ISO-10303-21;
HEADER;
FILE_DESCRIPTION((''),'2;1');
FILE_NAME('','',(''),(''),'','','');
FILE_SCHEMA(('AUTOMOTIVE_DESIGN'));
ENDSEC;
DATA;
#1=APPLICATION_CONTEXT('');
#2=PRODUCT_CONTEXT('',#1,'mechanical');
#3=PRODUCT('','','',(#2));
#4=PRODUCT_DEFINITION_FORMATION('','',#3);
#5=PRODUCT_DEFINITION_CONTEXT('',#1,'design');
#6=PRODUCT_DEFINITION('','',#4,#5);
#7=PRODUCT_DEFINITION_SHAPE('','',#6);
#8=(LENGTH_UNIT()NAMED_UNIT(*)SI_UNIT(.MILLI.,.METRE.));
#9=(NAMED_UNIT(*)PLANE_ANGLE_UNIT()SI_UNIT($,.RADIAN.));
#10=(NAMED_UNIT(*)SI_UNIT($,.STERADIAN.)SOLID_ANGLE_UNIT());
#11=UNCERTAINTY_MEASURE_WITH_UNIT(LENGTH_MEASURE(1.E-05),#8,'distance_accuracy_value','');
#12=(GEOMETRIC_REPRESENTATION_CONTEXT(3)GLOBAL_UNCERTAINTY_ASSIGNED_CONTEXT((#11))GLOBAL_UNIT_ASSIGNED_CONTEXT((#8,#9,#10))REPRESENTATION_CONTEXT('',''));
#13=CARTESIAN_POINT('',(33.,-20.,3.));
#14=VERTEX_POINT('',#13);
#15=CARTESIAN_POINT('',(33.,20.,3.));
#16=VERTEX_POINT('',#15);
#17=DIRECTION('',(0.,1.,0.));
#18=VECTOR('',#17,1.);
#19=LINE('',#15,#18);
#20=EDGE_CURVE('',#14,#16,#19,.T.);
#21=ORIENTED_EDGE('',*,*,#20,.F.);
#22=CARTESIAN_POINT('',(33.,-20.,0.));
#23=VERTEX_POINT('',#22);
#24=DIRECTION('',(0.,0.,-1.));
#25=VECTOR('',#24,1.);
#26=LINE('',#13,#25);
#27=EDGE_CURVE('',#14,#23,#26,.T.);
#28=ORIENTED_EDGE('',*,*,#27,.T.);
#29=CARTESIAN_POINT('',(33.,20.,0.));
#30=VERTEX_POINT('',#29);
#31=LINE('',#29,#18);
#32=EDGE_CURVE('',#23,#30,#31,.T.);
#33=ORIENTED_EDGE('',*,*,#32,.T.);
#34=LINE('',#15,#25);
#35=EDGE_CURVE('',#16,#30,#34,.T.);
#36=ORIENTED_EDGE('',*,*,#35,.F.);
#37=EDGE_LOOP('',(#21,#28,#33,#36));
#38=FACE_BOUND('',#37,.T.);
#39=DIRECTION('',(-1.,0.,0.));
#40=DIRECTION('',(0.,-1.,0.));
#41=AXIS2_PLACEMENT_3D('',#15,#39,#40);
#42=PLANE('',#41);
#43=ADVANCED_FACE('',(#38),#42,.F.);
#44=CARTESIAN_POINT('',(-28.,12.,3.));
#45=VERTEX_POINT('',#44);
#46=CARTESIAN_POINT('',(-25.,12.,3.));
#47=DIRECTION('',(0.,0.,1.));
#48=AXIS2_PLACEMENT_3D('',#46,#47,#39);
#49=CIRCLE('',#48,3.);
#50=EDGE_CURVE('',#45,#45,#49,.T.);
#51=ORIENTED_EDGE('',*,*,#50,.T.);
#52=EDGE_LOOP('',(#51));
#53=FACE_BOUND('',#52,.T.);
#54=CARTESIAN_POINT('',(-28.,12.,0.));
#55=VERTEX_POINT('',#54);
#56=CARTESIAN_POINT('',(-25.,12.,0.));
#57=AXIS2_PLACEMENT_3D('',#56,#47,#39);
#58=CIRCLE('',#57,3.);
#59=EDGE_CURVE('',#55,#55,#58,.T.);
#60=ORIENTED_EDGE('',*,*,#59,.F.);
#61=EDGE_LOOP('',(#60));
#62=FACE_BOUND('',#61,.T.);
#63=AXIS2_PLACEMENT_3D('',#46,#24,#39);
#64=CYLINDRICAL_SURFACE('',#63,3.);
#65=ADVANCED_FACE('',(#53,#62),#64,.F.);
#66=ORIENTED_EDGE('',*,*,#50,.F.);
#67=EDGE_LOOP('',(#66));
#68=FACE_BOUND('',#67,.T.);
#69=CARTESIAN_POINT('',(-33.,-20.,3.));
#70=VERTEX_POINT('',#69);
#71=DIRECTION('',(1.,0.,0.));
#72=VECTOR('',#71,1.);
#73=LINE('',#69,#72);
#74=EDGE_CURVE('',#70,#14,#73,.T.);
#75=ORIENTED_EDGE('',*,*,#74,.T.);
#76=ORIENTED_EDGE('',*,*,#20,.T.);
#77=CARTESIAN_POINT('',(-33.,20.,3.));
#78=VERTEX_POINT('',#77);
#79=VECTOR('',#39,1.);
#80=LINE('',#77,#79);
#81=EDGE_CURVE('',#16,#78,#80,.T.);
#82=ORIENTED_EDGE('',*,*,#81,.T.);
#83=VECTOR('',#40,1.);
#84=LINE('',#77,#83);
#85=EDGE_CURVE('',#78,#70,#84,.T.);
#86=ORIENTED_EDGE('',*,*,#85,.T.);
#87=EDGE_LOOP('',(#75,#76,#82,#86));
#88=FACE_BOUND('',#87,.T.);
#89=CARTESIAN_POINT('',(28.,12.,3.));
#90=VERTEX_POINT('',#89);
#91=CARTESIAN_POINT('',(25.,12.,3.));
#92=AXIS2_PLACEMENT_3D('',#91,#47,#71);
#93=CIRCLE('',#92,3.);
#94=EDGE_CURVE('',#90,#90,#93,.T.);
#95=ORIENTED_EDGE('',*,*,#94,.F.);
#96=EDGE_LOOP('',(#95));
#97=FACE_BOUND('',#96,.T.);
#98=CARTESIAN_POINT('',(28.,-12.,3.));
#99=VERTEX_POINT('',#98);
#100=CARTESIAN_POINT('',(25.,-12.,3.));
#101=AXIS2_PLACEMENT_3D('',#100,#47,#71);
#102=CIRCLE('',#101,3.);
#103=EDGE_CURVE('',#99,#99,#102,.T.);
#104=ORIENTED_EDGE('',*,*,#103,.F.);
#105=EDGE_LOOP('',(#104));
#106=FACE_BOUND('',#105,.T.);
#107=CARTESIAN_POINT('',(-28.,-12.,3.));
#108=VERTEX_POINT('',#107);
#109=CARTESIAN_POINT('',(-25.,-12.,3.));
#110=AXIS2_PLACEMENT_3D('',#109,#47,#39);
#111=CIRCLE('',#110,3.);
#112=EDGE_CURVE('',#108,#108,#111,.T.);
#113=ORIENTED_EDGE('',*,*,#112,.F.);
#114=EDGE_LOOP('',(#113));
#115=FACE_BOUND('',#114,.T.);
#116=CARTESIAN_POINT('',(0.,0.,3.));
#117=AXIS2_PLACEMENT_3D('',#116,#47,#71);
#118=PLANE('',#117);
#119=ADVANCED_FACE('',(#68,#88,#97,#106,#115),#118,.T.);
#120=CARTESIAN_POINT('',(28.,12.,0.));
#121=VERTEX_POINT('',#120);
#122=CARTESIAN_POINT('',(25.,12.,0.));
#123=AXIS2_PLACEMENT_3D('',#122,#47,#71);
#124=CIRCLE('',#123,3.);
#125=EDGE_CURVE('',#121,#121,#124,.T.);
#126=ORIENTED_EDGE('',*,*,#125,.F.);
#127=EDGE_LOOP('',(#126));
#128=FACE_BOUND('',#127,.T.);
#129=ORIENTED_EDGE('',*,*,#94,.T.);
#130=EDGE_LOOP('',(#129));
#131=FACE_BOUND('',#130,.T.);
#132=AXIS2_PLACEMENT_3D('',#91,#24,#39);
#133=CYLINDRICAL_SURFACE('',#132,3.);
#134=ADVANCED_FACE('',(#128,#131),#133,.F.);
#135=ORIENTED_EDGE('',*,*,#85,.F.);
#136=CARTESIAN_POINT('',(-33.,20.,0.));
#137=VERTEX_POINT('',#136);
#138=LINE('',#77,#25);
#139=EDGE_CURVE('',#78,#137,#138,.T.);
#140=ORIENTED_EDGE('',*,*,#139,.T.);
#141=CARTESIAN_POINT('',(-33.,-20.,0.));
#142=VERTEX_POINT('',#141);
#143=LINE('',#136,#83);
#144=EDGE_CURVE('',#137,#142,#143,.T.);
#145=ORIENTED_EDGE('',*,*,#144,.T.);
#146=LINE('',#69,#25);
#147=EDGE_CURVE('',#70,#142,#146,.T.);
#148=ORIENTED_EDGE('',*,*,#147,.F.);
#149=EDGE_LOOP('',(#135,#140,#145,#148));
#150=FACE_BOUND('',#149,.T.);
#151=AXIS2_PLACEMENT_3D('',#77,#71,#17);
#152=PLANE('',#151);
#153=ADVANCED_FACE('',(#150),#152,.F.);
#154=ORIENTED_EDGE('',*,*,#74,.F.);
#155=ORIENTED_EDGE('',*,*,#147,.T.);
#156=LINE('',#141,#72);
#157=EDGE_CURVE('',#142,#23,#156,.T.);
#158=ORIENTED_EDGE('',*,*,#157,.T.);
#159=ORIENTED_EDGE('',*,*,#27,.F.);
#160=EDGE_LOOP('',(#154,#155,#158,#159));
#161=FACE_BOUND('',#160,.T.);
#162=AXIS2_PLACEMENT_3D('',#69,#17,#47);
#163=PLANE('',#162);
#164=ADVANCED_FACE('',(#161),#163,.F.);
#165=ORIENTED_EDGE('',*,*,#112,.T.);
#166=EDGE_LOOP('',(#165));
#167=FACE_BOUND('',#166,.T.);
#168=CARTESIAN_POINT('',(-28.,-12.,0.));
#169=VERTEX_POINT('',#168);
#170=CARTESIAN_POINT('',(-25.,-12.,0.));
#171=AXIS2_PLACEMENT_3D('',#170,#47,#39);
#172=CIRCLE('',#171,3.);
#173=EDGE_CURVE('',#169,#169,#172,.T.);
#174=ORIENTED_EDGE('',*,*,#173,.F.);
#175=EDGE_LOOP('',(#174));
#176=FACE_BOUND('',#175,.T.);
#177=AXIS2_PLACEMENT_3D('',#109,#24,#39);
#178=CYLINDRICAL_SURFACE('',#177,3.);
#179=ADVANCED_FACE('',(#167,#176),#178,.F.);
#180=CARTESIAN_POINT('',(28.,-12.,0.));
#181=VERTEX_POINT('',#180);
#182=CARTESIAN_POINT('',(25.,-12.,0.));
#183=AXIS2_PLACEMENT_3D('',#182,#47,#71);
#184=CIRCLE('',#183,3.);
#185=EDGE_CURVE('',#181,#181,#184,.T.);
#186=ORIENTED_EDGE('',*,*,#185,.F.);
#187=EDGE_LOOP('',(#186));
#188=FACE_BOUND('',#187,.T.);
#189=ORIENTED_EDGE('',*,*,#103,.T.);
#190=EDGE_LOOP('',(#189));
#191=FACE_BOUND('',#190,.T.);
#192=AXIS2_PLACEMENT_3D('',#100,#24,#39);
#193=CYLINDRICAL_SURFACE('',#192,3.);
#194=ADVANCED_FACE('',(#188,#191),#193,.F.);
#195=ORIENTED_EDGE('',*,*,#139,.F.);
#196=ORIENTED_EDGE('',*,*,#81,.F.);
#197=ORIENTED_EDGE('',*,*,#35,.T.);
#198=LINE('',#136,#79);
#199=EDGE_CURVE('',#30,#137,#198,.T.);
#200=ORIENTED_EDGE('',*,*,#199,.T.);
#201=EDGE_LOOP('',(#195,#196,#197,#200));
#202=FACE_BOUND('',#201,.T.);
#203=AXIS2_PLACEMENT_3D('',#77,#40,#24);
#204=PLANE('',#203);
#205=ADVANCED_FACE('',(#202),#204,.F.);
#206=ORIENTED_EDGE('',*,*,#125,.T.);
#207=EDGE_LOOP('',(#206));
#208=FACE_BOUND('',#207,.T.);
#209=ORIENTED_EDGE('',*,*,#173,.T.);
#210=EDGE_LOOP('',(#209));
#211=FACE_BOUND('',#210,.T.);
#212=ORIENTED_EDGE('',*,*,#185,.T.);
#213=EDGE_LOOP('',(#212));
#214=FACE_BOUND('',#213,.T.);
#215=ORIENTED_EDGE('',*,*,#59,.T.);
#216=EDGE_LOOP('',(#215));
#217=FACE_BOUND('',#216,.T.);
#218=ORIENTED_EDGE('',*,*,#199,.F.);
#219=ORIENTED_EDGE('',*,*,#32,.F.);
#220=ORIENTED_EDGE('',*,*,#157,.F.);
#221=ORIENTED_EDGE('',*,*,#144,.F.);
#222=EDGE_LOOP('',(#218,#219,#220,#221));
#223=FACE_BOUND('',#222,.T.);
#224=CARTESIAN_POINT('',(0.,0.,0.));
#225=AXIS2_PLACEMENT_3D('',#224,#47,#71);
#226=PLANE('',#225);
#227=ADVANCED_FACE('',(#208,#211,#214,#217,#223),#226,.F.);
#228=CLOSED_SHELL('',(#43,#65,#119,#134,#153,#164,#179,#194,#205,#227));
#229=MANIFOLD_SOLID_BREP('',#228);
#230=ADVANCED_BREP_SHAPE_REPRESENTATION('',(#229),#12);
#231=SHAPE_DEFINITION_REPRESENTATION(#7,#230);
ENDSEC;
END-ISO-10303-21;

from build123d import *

# Parameters (mm, degrees)
SKETCH_1_W      = 66
SKETCH_1_H      = 40
SKETCH_1_R      = 3
EXTRUDE_1_DEPTH = 3


with BuildPart() as part:
    # 草图1 → 凸台-拉伸1 (new body)
    with BuildSketch(Plane.XY):
        Rectangle(SKETCH_1_W, SKETCH_1_H)
        with Locations((25, 12)):
            Circle(SKETCH_1_R, mode=Mode.SUBTRACT)
        with Locations((25, -12)):
            Circle(SKETCH_1_R, mode=Mode.SUBTRACT)
        with Locations(Location((-25, -12, 0), (0, 0, 180))):
            Circle(SKETCH_1_R, mode=Mode.SUBTRACT)
        with Locations(Location((-25, 12, 0), (0, 0, 180))):
            Circle(SKETCH_1_R, mode=Mode.SUBTRACT)
    extrude(amount=EXTRUDE_1_DEPTH)


solid = part.part
